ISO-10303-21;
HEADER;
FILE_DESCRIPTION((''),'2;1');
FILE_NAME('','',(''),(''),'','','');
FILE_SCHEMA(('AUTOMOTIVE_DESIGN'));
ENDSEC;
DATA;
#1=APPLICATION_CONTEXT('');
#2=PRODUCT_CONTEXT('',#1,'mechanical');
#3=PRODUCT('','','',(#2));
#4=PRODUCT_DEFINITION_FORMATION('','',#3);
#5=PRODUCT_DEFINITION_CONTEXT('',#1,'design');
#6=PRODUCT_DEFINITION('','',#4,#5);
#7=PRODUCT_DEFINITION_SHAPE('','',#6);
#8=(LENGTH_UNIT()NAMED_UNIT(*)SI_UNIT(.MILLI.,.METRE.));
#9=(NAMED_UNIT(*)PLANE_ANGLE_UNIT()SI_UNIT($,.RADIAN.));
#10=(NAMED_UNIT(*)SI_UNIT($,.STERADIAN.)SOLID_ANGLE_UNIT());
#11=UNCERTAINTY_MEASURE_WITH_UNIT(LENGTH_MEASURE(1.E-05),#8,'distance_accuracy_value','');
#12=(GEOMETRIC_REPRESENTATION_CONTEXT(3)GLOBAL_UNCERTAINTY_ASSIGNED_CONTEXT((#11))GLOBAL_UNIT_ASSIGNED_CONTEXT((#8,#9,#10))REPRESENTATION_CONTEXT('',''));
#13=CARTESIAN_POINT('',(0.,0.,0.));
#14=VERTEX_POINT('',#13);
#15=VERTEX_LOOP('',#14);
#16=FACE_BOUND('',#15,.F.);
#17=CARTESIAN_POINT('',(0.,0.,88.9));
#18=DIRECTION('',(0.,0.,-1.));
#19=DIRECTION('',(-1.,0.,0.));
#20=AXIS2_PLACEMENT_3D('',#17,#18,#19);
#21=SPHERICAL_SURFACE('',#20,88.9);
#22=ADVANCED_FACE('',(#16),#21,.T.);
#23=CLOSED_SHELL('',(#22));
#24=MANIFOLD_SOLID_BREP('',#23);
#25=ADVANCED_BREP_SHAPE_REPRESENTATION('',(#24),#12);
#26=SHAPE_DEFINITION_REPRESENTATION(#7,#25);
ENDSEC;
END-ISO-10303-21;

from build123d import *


with BuildPart() as part:
    # Sketch1 → Revolve1 (revolve)
    with BuildSketch(Plane(origin=(0, 0, 0), x_dir=(1, 0, 0), z_dir=(0, 1, 0))):
        with BuildLine():
            Line((0, 0), (0, -177.8))
            ThreePointArc((0, -177.8), (-88.9, -88.9), (0, 0))
        make_face()
    revolve(axis=Axis((0, 0, 0), (0, 0, 1)))


solid = part.part
